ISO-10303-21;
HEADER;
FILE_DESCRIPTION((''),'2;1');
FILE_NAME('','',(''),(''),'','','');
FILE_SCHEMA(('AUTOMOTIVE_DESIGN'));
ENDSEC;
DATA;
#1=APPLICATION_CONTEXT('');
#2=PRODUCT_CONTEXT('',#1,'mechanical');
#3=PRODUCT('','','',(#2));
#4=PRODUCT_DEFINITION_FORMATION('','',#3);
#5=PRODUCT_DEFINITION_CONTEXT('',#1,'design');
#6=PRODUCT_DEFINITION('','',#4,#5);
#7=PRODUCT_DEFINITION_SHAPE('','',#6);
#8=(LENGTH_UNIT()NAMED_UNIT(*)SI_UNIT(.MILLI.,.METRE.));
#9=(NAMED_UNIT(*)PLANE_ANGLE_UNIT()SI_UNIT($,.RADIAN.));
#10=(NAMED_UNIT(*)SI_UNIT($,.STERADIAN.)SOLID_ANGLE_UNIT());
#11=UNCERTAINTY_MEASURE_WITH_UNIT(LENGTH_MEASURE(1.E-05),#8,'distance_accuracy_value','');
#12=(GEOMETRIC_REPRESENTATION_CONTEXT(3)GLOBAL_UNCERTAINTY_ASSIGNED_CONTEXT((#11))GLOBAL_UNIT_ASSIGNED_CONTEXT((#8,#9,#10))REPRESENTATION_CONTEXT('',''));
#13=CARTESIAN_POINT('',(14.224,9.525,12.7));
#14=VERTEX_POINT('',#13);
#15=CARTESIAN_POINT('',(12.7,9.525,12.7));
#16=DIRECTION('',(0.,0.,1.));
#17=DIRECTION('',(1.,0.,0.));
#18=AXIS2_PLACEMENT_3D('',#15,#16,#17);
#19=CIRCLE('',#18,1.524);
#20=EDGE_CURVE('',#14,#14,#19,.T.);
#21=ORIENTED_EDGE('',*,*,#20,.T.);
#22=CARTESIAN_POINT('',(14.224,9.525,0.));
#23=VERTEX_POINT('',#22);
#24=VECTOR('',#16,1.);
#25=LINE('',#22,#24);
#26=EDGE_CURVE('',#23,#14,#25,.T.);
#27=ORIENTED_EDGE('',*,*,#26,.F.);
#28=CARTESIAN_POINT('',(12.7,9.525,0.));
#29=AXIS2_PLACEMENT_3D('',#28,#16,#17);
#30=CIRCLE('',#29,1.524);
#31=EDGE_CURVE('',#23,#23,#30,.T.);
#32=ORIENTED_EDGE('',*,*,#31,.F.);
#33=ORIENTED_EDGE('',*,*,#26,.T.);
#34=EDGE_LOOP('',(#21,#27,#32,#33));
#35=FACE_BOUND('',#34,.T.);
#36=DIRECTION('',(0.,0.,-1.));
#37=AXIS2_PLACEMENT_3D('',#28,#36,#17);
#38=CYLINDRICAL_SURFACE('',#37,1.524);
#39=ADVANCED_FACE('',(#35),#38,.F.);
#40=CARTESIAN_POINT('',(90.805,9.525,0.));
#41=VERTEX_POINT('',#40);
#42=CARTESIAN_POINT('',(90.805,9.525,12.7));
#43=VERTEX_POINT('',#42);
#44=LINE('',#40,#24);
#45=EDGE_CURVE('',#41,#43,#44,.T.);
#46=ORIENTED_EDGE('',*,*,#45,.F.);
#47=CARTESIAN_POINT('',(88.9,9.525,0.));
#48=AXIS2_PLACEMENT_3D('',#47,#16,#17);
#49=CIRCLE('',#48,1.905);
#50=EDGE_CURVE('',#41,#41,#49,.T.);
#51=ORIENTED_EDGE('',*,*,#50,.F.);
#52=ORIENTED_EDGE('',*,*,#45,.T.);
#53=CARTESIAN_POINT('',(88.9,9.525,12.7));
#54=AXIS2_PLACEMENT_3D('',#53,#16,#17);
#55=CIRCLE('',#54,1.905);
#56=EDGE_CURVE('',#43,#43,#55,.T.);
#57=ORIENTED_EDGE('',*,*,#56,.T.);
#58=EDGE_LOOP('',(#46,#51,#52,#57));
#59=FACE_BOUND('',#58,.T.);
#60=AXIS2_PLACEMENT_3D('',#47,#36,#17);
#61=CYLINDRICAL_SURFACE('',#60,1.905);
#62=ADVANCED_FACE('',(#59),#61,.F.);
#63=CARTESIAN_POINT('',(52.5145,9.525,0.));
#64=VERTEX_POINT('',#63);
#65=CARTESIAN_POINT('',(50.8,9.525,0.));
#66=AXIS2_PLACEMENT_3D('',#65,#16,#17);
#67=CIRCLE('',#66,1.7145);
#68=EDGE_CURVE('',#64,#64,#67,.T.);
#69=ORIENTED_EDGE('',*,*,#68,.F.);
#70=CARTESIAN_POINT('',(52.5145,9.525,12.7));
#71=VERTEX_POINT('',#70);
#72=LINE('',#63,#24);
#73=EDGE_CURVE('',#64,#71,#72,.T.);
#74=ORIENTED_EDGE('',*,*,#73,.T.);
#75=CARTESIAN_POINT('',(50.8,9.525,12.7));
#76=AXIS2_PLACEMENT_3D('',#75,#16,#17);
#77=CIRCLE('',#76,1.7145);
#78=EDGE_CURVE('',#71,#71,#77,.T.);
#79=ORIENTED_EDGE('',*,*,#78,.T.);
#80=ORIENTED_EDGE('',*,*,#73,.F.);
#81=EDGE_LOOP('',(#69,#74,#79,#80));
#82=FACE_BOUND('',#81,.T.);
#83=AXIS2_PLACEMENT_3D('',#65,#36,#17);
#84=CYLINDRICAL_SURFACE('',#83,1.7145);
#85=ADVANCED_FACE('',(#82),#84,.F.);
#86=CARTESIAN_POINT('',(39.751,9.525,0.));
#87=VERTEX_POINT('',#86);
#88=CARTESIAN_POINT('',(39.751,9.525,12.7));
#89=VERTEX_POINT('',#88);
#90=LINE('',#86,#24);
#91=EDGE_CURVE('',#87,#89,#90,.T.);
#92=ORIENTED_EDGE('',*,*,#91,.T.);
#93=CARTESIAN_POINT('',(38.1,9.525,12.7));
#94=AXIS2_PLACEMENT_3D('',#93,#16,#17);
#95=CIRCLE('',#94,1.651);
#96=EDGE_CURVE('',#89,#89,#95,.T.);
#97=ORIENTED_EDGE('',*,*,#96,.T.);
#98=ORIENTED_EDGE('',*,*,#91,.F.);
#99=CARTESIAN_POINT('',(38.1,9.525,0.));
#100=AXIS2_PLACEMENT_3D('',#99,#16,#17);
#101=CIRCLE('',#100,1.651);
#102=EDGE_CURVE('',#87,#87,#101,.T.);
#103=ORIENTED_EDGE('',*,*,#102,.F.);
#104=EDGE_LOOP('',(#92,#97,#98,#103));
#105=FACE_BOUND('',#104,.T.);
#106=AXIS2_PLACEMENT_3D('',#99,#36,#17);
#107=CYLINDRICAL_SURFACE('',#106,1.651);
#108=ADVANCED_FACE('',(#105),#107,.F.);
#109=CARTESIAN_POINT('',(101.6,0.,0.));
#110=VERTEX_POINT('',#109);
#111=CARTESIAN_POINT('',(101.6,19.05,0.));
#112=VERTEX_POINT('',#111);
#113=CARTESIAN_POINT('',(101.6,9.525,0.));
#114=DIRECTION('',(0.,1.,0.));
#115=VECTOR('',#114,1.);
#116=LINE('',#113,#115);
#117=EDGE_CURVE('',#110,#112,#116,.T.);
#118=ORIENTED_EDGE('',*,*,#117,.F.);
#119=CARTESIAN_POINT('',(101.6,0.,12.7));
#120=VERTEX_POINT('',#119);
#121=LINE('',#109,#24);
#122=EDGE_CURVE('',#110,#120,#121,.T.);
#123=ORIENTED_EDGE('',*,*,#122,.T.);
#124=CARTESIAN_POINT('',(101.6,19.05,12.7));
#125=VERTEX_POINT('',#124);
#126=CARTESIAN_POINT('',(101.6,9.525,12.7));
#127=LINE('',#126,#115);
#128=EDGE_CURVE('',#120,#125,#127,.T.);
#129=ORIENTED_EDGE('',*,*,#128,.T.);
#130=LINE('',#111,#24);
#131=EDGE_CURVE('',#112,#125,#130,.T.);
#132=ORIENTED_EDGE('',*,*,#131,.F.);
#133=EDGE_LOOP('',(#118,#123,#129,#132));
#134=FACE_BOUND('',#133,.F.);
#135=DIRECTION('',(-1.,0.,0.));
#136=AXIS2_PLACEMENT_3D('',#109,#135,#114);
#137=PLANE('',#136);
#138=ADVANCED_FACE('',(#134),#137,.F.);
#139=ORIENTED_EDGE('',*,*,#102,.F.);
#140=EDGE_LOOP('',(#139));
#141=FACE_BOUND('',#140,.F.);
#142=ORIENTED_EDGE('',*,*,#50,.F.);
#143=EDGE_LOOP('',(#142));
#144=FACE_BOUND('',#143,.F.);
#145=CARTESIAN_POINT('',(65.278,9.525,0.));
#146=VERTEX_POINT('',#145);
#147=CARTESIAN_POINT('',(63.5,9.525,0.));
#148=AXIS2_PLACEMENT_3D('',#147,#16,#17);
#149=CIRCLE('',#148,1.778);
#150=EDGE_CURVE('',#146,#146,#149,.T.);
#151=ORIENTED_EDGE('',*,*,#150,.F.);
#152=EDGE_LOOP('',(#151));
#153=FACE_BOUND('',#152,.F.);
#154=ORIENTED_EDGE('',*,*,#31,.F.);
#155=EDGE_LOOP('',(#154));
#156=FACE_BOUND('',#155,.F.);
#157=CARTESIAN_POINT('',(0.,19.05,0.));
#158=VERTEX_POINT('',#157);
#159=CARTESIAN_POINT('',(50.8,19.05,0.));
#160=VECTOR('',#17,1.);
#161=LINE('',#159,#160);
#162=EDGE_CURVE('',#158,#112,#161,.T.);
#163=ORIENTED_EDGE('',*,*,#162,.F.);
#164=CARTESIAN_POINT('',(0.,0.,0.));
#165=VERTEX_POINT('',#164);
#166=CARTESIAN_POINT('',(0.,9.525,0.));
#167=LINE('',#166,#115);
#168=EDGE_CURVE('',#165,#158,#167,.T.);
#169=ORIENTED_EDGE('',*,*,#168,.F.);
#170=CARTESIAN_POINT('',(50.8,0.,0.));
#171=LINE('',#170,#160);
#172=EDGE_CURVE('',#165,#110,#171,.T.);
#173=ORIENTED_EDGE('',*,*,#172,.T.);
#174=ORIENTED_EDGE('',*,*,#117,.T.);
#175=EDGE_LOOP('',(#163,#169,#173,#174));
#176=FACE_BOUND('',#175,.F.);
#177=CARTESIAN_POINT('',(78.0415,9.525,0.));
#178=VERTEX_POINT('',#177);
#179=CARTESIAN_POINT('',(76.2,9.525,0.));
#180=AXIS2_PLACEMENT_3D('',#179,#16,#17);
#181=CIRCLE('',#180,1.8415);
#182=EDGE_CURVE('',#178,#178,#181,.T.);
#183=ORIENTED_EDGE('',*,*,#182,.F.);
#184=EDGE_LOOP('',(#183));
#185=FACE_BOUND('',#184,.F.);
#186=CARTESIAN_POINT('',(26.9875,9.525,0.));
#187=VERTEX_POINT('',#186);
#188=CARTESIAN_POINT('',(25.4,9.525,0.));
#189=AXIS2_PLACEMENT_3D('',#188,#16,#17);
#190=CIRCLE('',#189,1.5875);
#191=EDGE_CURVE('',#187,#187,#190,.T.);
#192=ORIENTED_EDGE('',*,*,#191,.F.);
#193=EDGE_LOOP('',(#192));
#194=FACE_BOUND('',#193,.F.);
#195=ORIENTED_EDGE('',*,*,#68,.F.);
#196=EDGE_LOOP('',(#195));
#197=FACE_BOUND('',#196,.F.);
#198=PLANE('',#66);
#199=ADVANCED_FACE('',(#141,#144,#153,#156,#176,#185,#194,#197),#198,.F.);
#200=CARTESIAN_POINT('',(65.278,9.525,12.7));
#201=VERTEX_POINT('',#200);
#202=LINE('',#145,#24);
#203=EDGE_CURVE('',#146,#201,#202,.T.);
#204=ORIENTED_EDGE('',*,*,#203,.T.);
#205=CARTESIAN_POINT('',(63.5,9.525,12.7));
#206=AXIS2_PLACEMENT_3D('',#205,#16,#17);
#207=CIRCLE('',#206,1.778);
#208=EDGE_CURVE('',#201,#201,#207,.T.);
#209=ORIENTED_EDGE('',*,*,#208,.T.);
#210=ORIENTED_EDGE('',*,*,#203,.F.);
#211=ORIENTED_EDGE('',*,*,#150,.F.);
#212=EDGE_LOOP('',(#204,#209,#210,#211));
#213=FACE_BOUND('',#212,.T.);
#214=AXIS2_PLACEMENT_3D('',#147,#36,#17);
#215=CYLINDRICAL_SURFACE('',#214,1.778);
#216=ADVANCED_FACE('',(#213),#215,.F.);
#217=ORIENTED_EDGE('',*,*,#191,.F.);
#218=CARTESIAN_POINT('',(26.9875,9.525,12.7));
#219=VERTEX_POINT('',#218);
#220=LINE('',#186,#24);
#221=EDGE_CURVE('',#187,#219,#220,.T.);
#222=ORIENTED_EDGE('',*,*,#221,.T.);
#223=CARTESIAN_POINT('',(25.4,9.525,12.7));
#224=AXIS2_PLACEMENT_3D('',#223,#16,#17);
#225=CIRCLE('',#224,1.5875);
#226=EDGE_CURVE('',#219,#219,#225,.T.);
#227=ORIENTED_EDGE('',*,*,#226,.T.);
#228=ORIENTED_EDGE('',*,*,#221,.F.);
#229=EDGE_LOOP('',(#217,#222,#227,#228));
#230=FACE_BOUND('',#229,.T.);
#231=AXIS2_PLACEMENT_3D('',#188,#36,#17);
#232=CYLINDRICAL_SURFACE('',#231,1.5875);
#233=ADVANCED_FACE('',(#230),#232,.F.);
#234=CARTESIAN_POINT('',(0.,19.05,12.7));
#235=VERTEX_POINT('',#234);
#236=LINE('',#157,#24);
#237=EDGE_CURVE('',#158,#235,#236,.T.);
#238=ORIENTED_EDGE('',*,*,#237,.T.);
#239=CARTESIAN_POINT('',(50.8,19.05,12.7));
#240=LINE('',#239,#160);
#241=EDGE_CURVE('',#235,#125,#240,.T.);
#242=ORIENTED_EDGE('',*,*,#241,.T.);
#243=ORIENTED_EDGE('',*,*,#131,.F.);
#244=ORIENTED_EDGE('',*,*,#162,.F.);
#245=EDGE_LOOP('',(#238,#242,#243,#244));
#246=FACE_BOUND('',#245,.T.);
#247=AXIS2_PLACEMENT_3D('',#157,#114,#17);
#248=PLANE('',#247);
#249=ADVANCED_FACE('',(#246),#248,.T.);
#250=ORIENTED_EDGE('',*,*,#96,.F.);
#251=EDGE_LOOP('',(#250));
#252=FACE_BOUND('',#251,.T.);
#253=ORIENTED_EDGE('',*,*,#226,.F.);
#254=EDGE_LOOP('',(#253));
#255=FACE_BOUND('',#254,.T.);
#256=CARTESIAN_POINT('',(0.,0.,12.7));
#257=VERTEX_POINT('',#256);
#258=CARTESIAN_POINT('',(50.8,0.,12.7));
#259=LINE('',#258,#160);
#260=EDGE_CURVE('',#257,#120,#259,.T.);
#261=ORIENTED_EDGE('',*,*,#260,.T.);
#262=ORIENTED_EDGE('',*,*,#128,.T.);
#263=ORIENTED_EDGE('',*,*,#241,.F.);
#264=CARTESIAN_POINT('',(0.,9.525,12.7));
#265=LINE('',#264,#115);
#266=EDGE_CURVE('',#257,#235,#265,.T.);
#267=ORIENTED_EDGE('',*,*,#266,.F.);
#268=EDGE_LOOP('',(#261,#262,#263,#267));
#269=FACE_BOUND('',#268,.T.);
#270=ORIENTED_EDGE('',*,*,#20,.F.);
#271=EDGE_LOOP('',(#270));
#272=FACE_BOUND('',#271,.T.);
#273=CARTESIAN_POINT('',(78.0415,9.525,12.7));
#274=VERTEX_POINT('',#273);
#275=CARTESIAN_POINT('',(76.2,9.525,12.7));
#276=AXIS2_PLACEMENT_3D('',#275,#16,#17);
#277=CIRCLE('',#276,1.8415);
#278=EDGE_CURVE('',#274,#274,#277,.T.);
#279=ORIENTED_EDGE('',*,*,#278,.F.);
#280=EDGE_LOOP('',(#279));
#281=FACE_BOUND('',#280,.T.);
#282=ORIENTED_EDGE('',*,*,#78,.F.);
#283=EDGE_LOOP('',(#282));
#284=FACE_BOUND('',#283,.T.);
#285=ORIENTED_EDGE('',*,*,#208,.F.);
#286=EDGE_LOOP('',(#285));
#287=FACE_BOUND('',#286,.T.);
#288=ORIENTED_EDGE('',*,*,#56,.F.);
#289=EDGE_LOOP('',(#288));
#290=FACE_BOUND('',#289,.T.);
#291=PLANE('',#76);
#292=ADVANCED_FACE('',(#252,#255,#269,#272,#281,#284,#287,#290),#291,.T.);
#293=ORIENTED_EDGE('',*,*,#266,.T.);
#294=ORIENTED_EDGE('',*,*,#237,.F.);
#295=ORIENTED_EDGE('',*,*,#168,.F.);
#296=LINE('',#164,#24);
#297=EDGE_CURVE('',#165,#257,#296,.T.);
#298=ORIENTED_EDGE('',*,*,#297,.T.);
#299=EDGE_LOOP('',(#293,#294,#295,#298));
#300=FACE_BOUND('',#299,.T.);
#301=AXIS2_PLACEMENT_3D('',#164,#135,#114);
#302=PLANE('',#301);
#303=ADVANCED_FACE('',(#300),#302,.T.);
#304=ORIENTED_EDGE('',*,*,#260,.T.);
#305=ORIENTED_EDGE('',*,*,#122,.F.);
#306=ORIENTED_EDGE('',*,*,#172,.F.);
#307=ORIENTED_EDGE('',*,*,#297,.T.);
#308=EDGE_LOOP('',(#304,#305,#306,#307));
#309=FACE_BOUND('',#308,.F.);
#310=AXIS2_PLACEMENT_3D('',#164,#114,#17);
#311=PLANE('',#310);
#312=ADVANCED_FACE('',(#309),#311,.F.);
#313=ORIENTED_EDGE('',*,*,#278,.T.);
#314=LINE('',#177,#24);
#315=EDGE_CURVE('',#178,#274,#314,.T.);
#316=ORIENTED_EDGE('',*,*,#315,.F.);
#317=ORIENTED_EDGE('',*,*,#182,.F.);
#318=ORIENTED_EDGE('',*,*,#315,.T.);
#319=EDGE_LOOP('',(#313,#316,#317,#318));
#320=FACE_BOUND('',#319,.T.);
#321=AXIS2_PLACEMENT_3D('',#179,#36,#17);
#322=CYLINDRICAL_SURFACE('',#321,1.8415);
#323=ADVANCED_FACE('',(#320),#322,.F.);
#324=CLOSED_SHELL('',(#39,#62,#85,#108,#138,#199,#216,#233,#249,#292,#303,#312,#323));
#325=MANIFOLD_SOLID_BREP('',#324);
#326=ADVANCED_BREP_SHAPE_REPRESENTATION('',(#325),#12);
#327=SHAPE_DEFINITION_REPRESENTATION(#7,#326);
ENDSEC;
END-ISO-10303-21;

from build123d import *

# Parameters (mm, degrees)
F0_W     = 101.6
F0_H     = 19.05
F0_R     = 1.524
F0_R_2   = 1.5875
F0_R_3   = 1.651
F0_R_4   = 1.7145
F0_R_5   = 1.778
F0_R_6   = 1.8415
F0_R_7   = 1.905
F1_DEPTH = 12.7


with BuildPart() as f1:
    # F0 (on Top) → F1 (new body)
    with BuildSketch(Plane.XY):
        with Locations((50.8, 9.525)):
            Rectangle(F0_W, F0_H)
        with Locations((12.7, 9.525)):
            Circle(F0_R, mode=Mode.SUBTRACT)
        with Locations((25.4, 9.525)):
            Circle(F0_R_2, mode=Mode.SUBTRACT)
        with Locations((38.1, 9.525)):
            Circle(F0_R_3, mode=Mode.SUBTRACT)
        with Locations((50.8, 9.525)):
            Circle(F0_R_4, mode=Mode.SUBTRACT)
        with Locations((63.5, 9.525)):
            Circle(F0_R_5, mode=Mode.SUBTRACT)
        with Locations((76.2, 9.525)):
            Circle(F0_R_6, mode=Mode.SUBTRACT)
        with Locations((88.9, 9.525)):
            Circle(F0_R_7, mode=Mode.SUBTRACT)
    extrude(amount=F1_DEPTH)


solid = f1.part
